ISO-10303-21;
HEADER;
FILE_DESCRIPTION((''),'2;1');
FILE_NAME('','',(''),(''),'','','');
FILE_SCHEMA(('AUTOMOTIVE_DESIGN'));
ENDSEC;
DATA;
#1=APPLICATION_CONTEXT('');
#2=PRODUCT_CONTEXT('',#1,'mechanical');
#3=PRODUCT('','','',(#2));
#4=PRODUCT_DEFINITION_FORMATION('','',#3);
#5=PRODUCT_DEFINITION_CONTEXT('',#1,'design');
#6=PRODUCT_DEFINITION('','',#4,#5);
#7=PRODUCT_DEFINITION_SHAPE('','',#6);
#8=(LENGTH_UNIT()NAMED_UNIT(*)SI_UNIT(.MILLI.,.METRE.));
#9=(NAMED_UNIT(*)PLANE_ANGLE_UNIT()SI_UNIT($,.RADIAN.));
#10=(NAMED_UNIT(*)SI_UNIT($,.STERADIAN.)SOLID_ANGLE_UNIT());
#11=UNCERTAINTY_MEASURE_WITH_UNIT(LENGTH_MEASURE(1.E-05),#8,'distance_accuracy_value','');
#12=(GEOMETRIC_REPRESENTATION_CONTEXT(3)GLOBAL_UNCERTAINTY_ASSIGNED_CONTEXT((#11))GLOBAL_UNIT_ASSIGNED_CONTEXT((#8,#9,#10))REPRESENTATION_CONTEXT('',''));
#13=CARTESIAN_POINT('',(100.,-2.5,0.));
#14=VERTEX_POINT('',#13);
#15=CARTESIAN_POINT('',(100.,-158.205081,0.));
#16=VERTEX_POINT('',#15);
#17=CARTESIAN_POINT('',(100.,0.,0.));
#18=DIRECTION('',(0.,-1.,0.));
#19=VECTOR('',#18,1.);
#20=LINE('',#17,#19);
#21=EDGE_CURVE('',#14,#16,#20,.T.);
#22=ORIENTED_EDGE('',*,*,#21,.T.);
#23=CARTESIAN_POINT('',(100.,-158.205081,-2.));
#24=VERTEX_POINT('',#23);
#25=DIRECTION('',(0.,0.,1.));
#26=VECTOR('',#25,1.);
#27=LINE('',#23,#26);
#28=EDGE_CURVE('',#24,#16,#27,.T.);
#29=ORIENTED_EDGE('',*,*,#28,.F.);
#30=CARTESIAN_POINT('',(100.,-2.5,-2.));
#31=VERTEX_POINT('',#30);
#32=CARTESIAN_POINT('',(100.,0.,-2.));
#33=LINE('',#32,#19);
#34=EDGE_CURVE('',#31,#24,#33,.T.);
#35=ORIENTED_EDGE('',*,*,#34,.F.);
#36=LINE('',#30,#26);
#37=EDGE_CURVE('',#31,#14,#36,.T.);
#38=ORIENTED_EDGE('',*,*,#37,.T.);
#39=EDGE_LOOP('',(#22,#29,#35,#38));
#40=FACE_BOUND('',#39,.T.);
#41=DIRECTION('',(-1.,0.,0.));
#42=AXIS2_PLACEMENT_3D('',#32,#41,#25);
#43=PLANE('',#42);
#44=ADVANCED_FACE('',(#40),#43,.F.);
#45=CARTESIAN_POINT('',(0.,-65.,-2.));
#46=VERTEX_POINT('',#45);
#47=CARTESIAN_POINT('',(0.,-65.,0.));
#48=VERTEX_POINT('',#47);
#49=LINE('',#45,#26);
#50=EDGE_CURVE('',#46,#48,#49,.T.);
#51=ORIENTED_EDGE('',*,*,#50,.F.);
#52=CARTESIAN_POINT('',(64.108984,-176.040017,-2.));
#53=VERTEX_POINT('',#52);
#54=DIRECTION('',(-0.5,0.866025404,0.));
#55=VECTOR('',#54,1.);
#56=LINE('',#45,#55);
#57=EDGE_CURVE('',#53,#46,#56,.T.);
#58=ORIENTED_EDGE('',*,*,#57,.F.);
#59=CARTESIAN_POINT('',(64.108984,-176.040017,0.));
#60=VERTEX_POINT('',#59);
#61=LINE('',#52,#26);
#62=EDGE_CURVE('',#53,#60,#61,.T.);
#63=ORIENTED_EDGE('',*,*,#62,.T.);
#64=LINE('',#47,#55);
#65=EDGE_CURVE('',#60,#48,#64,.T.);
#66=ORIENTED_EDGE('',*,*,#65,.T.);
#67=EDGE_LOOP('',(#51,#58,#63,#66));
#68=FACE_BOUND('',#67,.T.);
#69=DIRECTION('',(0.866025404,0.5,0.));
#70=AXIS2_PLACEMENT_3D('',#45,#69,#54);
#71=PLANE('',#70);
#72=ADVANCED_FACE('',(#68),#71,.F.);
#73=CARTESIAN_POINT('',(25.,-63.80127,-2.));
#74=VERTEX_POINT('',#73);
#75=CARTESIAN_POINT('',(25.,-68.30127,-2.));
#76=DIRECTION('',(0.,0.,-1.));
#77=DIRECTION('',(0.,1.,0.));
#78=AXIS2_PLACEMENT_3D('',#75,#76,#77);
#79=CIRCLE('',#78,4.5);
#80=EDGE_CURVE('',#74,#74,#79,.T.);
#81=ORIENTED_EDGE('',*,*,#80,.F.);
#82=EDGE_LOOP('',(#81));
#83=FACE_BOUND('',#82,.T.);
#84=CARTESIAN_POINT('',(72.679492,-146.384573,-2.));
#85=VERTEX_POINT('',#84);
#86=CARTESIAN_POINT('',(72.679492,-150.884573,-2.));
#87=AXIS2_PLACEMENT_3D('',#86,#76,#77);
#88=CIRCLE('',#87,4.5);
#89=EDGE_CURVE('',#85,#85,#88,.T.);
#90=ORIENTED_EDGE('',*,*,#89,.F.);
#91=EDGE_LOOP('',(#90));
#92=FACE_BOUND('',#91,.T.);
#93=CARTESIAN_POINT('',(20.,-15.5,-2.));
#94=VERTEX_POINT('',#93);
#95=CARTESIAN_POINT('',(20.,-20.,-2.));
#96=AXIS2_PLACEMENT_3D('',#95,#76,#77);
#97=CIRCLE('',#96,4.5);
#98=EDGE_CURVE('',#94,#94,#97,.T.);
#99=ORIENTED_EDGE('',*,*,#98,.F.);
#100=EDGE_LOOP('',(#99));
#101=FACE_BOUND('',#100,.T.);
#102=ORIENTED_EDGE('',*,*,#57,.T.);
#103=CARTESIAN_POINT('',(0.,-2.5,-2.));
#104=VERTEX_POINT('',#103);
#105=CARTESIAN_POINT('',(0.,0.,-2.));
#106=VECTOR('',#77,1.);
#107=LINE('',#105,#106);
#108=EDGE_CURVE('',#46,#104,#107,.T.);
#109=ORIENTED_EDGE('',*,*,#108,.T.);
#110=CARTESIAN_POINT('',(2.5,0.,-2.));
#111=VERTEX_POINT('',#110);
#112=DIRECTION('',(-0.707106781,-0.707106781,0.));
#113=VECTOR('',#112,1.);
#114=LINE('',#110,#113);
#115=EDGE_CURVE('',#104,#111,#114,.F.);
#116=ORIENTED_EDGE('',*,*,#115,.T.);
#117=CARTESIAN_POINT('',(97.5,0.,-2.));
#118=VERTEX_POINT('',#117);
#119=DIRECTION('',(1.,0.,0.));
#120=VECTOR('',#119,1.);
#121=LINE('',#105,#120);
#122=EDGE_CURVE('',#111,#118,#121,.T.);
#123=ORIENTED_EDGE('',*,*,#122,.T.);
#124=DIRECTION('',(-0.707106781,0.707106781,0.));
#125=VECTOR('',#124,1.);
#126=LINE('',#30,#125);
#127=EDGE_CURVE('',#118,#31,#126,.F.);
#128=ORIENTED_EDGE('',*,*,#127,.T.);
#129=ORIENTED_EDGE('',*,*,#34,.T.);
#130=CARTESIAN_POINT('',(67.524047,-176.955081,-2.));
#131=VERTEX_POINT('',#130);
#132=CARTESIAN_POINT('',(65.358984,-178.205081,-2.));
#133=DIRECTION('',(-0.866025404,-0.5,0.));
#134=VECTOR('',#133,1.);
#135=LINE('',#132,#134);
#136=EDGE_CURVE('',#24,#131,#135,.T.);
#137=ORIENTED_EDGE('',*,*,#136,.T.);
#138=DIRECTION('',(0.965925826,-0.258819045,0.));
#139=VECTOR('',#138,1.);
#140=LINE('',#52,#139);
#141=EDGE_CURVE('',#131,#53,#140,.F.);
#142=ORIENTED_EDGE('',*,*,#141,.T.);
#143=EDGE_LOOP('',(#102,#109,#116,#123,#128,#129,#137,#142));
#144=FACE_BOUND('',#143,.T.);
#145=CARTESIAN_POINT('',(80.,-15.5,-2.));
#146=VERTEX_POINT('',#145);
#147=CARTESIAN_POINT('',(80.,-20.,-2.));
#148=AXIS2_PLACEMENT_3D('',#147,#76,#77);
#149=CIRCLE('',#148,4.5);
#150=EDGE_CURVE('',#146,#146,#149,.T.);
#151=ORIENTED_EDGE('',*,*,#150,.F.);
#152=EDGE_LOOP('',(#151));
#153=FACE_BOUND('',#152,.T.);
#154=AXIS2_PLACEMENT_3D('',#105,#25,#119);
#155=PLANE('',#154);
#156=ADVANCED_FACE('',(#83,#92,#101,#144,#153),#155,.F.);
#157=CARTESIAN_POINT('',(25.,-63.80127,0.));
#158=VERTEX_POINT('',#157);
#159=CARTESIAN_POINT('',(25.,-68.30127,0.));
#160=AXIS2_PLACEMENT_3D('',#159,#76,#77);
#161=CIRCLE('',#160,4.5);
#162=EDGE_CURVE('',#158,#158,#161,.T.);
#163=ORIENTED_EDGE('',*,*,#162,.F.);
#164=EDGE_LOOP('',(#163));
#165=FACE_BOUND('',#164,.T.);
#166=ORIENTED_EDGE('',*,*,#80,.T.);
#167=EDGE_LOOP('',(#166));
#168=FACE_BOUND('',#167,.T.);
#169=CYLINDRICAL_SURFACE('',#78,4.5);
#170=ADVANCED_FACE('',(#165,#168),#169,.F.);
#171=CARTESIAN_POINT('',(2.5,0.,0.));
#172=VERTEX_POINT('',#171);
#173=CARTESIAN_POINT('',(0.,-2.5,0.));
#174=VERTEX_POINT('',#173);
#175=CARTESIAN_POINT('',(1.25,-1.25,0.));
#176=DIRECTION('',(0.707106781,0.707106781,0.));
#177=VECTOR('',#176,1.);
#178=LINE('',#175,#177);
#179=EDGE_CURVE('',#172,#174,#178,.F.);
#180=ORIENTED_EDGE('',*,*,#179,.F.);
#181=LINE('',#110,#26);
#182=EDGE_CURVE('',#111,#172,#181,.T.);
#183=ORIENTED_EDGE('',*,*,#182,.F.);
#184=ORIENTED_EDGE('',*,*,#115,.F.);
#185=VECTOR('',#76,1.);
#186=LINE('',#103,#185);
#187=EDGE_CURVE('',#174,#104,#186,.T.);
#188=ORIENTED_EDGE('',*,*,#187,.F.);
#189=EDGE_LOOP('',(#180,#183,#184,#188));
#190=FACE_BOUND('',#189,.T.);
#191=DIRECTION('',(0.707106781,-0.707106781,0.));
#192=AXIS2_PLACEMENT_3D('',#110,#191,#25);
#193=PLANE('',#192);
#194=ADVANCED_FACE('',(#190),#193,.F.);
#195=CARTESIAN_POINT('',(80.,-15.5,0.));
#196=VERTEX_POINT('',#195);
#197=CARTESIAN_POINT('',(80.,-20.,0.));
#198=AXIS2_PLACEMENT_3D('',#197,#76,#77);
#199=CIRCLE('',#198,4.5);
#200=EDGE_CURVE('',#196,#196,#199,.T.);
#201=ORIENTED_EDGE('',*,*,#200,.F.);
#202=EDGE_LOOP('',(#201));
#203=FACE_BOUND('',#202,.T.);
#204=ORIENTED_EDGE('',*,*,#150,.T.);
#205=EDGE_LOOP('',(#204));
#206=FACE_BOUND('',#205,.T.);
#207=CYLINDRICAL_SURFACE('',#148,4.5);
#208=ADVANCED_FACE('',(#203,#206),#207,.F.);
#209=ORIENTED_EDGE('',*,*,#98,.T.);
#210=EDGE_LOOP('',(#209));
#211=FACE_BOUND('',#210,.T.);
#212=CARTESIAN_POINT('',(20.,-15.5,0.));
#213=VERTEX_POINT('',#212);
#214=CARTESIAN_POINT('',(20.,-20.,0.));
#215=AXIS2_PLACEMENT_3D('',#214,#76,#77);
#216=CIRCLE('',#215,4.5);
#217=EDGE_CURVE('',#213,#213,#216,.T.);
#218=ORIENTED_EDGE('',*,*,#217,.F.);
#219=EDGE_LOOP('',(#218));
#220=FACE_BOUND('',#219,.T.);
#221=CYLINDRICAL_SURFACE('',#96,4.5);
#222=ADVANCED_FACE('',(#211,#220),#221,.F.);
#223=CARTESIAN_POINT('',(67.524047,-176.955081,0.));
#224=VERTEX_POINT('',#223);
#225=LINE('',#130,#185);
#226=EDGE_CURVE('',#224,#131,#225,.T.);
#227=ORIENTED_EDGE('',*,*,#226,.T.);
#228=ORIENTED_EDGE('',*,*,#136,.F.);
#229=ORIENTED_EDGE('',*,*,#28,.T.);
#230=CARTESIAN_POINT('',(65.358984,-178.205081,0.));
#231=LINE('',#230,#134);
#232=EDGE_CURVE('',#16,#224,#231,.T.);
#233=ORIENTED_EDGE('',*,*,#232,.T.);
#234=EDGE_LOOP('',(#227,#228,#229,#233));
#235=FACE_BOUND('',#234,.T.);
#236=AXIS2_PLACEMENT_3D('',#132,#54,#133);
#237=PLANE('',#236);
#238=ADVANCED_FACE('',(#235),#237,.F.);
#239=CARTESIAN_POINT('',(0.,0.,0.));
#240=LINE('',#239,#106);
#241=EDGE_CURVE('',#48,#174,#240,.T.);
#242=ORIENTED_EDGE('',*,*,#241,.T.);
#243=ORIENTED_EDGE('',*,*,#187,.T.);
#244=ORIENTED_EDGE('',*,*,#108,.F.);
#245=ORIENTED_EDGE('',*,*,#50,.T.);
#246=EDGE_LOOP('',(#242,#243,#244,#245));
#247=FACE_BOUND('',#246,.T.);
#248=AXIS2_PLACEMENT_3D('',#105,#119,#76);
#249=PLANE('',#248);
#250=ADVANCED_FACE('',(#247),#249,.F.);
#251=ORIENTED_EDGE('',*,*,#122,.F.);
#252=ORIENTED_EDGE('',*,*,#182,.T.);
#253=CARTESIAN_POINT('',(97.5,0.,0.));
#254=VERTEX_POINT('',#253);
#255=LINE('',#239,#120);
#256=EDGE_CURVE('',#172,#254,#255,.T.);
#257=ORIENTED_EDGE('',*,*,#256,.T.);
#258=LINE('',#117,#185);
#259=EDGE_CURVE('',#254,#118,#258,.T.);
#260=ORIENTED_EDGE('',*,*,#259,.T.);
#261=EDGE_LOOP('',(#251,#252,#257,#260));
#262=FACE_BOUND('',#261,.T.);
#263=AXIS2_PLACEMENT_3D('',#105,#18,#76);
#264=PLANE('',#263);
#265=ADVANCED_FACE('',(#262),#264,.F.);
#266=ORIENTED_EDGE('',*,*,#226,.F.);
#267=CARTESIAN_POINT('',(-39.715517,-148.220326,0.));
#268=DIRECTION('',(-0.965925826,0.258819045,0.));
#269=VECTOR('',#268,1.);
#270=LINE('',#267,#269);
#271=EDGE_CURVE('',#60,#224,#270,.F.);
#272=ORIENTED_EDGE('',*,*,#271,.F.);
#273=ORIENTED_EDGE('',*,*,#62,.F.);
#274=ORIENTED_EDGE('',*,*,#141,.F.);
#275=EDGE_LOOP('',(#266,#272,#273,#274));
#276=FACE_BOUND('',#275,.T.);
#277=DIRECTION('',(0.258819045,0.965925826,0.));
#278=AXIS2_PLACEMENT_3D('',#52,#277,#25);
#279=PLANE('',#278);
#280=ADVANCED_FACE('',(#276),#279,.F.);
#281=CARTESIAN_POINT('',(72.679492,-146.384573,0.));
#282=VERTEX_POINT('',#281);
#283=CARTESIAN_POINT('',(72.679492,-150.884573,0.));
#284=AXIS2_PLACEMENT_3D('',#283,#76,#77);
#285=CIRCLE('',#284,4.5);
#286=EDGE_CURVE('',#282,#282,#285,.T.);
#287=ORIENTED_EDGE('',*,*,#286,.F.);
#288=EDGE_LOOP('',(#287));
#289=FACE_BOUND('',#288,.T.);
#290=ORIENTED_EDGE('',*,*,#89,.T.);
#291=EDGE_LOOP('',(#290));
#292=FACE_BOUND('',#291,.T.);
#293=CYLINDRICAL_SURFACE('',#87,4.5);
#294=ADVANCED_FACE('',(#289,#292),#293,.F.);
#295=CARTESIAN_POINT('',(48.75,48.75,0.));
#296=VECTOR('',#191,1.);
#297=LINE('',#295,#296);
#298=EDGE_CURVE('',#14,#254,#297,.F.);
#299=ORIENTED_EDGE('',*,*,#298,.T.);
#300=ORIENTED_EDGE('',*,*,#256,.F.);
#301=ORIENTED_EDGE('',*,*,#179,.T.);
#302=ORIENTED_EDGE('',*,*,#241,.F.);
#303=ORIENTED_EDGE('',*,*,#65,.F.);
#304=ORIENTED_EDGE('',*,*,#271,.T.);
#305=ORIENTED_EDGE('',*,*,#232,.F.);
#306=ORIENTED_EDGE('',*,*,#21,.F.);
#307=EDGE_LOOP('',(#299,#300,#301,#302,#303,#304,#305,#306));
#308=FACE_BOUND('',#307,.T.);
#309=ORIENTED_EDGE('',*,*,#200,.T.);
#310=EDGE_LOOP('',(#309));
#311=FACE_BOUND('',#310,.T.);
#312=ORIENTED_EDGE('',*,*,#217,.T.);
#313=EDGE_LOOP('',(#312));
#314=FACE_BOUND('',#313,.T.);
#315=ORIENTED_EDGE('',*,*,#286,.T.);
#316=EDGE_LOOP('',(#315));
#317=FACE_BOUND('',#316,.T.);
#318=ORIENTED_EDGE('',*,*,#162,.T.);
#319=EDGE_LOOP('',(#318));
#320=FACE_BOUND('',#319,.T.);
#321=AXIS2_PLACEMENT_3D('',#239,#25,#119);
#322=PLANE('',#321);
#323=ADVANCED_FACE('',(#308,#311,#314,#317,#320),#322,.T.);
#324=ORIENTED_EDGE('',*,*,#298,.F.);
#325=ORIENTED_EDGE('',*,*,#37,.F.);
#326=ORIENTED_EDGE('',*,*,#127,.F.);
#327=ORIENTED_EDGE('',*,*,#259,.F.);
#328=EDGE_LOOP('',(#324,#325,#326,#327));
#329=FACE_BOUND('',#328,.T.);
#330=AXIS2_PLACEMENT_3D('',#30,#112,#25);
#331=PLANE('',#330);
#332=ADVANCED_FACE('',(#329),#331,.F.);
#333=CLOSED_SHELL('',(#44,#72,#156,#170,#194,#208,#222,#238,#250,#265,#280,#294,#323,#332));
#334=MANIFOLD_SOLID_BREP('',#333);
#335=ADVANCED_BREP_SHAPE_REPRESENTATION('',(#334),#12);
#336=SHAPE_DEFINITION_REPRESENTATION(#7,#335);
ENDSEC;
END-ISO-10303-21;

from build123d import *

# Parameters (mm, degrees)
EXTRUDE_1_DEPTH   = 2
HOLE_WIZARD_M81_D = 9
CHAMFER_1_SIZE    = 2.5


with BuildPart() as part:
    # Эскиз3 → Бобышка-Вытянуть1 (new body)
    with BuildSketch(Plane(origin=(0, 0, 0), x_dir=(1, 0, 0), z_dir=(0, 0, -1))):
        Polygon((0, 0), (100, 0), (100, 158.205080757), (65.358983849, 178.205080757), (0, 65), align=None)
    extrude(amount=EXTRUDE_1_DEPTH)

    # Отверстие с зазором M81 (through all)
    with Locations(Plane(origin=(0, 0, -2), x_dir=(1, 0, 0), z_dir=(0, 0, -1))):
        with Locations((20, 20), (80, 20), (25, 68.301270189), (72.679491924, 150.884572681)):
            Hole(HOLE_WIZARD_M81_D / 2)

    # Фаска1
    chamfer_1_edges = [part.edges().sort_by_distance(p)[0] for p in [
        (65.358983849, -178.205080757, -1),
        (100, 0, -1),
        (0, 0, -1),
    ]]
    chamfer(chamfer_1_edges, length=CHAMFER_1_SIZE)


solid = part.part
